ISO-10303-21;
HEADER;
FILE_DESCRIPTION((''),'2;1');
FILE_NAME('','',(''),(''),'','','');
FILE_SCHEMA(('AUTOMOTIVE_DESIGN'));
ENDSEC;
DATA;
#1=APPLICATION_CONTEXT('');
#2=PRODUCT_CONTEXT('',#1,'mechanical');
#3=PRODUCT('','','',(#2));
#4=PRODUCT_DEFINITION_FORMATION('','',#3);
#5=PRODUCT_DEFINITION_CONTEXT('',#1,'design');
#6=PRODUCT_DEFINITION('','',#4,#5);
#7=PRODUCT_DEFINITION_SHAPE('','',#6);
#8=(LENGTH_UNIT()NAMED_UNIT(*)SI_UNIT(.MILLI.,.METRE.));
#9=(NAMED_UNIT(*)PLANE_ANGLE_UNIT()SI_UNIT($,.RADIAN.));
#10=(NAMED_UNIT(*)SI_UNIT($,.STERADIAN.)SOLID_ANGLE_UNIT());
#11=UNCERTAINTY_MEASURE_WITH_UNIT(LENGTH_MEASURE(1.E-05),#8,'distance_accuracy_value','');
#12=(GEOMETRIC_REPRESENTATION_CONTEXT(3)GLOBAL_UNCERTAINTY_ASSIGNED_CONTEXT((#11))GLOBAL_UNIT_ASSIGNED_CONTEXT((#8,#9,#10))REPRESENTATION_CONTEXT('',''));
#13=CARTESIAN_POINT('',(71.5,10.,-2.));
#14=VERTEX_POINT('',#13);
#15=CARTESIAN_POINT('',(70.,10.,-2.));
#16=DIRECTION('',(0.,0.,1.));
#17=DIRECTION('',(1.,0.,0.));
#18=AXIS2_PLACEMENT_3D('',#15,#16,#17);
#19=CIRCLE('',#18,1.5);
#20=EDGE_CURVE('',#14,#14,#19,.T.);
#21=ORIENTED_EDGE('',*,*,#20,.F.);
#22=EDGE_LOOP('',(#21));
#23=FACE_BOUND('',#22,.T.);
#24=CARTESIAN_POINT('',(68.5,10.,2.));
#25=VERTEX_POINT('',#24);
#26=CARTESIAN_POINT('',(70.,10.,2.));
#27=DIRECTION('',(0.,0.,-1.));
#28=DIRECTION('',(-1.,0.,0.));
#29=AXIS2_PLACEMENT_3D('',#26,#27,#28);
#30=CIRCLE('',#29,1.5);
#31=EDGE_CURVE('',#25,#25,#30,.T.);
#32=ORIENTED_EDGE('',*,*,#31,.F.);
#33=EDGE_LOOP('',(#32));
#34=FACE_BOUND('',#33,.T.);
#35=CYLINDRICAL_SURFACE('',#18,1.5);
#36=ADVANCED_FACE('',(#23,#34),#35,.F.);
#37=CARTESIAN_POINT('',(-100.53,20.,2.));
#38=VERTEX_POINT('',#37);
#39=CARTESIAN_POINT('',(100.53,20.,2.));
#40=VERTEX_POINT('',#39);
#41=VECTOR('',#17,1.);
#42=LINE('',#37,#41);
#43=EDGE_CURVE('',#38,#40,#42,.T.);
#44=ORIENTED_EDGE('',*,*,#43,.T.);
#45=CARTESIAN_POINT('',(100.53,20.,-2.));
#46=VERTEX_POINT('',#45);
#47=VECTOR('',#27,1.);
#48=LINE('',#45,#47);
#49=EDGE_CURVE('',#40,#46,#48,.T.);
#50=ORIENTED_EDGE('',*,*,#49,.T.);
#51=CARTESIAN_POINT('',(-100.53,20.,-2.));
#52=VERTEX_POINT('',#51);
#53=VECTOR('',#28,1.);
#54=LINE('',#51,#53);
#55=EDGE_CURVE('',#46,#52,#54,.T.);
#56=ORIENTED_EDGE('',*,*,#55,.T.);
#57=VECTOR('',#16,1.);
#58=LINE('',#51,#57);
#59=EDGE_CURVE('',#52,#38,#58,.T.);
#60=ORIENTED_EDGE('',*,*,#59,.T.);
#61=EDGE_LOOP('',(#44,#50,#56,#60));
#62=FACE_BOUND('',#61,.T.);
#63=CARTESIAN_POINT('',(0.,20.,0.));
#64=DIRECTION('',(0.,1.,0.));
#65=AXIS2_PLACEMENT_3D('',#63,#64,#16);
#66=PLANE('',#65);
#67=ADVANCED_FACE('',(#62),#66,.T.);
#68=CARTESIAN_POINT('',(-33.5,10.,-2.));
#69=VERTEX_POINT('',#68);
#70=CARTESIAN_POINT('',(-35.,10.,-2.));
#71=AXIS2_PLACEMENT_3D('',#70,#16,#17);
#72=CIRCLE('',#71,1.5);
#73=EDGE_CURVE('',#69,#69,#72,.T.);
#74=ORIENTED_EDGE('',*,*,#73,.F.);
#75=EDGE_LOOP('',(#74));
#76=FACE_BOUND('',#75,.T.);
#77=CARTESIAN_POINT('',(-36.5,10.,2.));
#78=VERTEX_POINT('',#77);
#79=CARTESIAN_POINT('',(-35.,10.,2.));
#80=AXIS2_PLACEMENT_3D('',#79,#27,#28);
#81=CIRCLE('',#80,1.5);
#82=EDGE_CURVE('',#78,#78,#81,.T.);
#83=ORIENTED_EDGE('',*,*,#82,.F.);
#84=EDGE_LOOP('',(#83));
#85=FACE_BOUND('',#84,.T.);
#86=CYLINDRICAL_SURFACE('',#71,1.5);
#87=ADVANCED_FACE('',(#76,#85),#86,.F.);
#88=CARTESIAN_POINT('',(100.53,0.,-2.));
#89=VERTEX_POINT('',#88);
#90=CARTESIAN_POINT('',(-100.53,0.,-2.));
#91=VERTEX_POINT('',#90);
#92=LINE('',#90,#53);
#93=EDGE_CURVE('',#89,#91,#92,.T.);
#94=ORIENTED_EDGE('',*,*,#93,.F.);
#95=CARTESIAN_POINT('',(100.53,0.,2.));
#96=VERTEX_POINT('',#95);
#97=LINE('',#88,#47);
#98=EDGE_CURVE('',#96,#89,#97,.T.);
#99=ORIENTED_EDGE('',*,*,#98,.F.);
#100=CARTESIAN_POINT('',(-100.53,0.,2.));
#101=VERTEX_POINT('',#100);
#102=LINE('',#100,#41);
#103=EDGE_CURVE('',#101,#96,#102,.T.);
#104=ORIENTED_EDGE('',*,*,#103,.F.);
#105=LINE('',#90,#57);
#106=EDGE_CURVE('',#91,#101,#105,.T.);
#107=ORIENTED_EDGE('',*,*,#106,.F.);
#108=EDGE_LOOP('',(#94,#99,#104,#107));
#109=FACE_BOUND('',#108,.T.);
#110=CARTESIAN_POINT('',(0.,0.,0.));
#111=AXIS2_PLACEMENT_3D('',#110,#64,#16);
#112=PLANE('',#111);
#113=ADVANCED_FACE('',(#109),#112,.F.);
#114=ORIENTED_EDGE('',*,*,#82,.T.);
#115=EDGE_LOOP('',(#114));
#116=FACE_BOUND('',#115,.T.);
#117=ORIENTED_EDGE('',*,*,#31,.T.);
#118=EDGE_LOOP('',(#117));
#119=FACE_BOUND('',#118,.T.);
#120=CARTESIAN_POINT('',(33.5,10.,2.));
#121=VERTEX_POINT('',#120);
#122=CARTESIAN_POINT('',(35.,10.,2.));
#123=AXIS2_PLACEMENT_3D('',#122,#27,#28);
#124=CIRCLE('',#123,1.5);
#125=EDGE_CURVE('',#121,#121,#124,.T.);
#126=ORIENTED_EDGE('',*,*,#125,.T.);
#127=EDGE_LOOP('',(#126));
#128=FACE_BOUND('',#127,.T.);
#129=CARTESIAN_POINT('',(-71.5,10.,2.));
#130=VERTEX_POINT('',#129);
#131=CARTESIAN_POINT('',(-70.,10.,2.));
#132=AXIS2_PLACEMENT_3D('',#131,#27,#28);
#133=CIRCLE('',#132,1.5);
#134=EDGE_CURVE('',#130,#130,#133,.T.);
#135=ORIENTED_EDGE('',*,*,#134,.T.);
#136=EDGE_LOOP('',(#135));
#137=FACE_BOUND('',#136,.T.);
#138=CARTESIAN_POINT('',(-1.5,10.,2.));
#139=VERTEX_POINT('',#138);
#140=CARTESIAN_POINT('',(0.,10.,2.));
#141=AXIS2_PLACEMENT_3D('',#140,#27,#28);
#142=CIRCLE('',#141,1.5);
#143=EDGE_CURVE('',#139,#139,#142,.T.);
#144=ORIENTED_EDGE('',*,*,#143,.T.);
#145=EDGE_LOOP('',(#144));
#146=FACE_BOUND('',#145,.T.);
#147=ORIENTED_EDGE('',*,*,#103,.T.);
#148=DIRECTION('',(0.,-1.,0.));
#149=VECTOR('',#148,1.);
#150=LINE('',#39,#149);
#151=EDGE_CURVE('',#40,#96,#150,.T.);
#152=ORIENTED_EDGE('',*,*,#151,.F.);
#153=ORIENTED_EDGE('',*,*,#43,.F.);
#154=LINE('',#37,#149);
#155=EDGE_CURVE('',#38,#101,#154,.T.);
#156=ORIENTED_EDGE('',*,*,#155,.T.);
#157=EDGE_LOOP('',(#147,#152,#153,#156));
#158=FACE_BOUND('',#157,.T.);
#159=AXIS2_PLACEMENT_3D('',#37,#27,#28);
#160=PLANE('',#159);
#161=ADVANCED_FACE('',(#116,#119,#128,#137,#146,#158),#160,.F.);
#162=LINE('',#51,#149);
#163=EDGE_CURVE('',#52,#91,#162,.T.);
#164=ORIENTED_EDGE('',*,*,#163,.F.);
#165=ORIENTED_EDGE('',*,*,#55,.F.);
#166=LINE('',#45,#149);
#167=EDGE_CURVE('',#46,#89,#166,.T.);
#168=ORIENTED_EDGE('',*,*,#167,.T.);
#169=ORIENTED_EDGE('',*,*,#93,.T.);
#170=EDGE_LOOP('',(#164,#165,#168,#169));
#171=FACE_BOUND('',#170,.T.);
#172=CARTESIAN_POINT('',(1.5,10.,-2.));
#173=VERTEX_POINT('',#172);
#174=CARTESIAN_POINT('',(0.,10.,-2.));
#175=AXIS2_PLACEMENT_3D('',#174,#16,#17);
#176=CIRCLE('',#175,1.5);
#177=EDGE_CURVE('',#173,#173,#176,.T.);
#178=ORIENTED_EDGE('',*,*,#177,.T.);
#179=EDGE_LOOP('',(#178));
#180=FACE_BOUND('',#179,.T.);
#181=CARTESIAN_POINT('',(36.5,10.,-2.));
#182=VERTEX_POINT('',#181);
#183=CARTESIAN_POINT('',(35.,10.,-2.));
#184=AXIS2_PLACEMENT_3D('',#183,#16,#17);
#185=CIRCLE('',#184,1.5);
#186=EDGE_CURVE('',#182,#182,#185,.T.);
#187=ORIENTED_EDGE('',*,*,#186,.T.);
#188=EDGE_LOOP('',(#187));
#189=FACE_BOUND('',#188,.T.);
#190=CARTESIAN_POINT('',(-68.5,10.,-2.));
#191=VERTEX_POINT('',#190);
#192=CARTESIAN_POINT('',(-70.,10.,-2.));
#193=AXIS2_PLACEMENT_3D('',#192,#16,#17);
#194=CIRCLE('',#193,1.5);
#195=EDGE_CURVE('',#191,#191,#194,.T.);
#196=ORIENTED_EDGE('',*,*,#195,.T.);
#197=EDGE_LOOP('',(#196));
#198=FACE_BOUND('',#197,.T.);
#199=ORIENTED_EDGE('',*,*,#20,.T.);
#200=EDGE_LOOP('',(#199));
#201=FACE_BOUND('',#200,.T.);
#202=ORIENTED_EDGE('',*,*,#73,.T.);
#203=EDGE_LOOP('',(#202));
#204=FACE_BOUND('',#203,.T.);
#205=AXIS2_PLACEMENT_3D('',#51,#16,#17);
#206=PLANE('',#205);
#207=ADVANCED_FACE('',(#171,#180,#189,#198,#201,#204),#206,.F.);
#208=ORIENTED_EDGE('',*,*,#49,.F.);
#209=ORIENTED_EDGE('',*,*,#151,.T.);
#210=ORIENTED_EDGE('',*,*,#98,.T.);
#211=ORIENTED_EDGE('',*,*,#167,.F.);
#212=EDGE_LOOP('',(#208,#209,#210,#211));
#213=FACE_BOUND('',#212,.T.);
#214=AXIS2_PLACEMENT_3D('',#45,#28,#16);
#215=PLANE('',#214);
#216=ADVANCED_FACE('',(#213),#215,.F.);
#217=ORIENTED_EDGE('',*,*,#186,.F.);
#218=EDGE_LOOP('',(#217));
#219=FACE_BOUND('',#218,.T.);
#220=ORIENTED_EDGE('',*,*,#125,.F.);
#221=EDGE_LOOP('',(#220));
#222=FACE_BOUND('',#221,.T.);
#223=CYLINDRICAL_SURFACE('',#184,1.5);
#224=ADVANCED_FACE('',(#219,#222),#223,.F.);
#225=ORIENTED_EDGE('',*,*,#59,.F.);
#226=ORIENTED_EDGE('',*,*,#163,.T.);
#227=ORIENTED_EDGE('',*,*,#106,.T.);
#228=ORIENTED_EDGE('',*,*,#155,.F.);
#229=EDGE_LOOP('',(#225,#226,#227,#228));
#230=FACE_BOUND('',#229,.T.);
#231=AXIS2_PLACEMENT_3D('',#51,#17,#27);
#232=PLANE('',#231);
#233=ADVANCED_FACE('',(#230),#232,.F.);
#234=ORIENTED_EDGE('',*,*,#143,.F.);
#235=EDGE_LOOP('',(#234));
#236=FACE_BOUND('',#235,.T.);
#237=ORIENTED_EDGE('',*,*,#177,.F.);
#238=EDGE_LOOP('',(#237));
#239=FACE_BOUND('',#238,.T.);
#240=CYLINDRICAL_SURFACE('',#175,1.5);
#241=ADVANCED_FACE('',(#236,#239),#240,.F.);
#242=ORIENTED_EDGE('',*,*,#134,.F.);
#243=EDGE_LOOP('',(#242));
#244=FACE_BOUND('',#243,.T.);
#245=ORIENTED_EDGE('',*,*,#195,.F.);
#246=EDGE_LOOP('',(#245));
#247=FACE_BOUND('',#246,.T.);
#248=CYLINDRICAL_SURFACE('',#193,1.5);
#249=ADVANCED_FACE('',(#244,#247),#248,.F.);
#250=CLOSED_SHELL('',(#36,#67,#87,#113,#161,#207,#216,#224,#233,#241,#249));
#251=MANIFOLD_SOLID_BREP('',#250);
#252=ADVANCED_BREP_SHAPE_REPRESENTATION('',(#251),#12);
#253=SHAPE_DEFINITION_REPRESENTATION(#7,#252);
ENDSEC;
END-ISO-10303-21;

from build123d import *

# Parameters (mm, degrees)
SKETCH1_W               = 201.06
SKETCH1_H               = 4
BOSS_EXTRUDE1_DEPTH     = 20
SKETCH2_R               = 1.5
CUT_EXTRUDE1_DEPTH      = 1
CUT_EXTRUDE1_DEPTH_BACK = 5


with BuildPart() as part:
    # Sketch1 → Boss-Extrude1 (new body)
    with BuildSketch(Plane(origin=(0, 0, 0), x_dir=(1, 0, 0), z_dir=(0, 1, 0))):
        Rectangle(SKETCH1_W, SKETCH1_H)
    extrude(amount=BOSS_EXTRUDE1_DEPTH)

    # Sketch2 → Cut-Extrude1 (cut, two sides)
    with BuildSketch(Plane.XY.offset(2)) as cut_extrude1_sk:
        with Locations((-70, 10)):
            Circle(SKETCH2_R)
        with Locations((-35, 10)):
            Circle(SKETCH2_R)
        with Locations((0, 10)):
            Circle(SKETCH2_R)
        with Locations((35, 10)):
            Circle(SKETCH2_R)
        with Locations((70, 10)):
            Circle(SKETCH2_R)
    extrude(amount=CUT_EXTRUDE1_DEPTH, mode=Mode.SUBTRACT)
    extrude(cut_extrude1_sk.sketch, amount=-CUT_EXTRUDE1_DEPTH_BACK, mode=Mode.SUBTRACT)


solid = part.part
